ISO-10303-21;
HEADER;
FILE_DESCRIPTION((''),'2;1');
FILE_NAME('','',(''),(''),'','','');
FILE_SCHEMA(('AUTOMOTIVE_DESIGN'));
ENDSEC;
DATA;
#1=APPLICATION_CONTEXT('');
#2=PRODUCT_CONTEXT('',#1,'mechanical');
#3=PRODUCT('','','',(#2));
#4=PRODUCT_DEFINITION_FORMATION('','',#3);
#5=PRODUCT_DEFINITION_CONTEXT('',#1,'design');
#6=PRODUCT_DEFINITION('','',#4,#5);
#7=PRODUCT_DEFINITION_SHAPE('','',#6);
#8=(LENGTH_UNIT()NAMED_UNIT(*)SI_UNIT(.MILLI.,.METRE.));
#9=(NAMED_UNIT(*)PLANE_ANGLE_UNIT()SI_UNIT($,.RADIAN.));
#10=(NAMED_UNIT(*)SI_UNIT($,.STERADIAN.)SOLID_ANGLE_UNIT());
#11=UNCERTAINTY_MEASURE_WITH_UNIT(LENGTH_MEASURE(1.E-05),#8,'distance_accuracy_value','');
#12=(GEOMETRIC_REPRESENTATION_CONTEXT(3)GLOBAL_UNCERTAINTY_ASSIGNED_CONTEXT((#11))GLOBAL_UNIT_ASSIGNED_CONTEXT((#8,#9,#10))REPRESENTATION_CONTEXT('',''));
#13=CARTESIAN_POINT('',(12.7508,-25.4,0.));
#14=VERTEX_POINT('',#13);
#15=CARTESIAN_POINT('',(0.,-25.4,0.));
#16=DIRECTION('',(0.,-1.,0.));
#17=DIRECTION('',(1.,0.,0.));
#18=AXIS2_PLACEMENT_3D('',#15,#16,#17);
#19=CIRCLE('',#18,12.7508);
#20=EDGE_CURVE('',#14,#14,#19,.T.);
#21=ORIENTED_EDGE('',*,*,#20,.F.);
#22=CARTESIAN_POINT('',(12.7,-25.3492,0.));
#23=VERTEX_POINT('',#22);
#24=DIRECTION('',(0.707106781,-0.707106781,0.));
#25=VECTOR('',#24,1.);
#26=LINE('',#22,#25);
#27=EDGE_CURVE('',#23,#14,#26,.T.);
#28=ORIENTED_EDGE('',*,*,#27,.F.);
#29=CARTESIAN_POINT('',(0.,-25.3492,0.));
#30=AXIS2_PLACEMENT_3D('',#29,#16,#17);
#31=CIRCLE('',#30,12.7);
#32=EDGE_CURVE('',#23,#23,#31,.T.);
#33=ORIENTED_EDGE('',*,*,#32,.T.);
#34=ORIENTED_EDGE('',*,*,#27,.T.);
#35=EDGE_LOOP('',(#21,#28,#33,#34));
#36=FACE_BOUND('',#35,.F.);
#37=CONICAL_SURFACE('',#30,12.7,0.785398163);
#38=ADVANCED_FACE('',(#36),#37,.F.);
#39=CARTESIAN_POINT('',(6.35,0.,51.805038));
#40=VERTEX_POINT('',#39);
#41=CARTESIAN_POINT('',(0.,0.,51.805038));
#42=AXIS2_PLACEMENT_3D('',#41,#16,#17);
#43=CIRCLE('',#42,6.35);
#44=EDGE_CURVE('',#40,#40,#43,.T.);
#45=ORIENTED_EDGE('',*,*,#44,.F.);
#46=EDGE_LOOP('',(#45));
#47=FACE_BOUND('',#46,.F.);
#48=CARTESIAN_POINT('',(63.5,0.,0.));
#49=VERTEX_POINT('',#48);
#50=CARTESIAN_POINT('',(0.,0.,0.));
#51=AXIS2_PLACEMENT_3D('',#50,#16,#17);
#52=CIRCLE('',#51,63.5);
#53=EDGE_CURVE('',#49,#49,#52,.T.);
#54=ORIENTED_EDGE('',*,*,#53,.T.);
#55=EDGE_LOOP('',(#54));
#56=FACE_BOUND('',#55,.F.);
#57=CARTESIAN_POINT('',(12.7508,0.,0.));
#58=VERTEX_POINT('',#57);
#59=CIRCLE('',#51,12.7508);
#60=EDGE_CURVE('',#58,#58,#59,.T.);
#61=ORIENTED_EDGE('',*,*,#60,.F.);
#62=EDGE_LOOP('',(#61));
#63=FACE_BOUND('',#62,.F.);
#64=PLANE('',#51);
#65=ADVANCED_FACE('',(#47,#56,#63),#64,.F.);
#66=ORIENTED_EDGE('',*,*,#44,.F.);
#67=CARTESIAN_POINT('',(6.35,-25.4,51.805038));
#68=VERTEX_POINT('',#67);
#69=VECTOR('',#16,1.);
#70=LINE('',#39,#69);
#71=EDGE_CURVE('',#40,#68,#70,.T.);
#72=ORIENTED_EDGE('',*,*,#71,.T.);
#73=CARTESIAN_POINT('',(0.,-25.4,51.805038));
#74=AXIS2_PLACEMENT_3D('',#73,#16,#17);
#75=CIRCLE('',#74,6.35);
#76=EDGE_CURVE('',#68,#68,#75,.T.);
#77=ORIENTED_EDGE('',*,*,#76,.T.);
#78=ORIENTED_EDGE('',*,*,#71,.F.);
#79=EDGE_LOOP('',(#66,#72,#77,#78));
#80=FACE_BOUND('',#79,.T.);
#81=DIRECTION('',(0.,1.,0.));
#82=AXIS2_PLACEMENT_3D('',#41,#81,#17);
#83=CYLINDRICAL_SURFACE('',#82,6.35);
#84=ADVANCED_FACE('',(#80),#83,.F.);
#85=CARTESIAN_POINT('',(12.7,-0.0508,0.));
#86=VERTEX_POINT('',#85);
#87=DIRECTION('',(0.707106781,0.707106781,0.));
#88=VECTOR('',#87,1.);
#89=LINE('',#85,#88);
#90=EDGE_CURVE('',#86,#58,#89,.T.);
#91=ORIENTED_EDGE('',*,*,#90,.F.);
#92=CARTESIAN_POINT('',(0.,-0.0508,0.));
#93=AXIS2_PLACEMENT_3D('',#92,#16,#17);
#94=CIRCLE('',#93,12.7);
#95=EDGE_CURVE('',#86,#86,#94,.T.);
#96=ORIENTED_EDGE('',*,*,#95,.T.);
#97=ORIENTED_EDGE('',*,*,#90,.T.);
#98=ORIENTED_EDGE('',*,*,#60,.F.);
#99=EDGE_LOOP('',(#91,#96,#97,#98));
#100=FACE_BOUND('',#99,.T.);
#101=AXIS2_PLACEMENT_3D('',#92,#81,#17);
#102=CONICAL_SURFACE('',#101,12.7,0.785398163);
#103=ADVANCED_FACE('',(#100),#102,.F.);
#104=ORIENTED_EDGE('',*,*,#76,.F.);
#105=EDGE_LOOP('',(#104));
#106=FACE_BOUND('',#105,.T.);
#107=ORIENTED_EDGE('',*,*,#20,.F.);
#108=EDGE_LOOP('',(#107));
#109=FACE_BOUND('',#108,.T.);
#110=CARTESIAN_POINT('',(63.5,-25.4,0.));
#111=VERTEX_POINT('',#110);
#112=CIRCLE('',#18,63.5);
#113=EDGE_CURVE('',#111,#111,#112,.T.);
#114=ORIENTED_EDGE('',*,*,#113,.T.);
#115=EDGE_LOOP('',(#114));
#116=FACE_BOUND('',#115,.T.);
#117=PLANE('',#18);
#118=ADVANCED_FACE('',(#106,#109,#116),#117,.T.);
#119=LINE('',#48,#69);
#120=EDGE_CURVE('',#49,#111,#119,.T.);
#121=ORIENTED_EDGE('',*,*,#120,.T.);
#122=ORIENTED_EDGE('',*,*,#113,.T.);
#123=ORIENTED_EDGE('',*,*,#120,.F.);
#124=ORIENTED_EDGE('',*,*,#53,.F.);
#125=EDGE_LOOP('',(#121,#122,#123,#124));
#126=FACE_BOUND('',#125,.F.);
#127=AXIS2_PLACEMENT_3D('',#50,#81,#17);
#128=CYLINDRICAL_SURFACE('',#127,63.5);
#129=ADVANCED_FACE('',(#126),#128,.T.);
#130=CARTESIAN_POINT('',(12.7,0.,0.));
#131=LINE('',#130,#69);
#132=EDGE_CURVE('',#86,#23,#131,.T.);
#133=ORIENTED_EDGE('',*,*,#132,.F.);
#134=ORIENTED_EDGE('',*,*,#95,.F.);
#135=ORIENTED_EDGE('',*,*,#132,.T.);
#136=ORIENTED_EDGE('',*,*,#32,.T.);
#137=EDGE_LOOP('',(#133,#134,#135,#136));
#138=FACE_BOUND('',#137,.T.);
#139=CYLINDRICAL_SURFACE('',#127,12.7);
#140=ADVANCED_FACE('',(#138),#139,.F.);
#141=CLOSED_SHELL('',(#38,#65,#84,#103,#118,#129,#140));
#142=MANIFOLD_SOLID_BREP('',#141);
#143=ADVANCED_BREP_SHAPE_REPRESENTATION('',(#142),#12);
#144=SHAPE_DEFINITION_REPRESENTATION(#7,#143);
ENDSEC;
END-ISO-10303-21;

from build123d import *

# Parameters (mm, degrees)
F0_R     = 63.5
F0_R_2   = 12.7
F0_R_3   = 6.35
F1_DEPTH = 25.4
F2_SIZE  = 0.0508


with BuildPart() as f1:
    # F0 (on Front) → F1 (new body)
    with BuildSketch(Plane.XZ):
        Circle(F0_R)
        Circle(F0_R_2, mode=Mode.SUBTRACT)
        with Locations((0, 51.805038)):
            Circle(F0_R_3, mode=Mode.SUBTRACT)
    extrude(amount=F1_DEPTH)

    # F2
    f2_edges = [f1.edges().sort_by_distance(p)[0] for p in [
        (12.7, -12.7, 0),
        (-12.7, 0, 0),
        (-12.7, -25.4, 0),
    ]]
    chamfer(f2_edges, length=F2_SIZE)


solid = f1.part
